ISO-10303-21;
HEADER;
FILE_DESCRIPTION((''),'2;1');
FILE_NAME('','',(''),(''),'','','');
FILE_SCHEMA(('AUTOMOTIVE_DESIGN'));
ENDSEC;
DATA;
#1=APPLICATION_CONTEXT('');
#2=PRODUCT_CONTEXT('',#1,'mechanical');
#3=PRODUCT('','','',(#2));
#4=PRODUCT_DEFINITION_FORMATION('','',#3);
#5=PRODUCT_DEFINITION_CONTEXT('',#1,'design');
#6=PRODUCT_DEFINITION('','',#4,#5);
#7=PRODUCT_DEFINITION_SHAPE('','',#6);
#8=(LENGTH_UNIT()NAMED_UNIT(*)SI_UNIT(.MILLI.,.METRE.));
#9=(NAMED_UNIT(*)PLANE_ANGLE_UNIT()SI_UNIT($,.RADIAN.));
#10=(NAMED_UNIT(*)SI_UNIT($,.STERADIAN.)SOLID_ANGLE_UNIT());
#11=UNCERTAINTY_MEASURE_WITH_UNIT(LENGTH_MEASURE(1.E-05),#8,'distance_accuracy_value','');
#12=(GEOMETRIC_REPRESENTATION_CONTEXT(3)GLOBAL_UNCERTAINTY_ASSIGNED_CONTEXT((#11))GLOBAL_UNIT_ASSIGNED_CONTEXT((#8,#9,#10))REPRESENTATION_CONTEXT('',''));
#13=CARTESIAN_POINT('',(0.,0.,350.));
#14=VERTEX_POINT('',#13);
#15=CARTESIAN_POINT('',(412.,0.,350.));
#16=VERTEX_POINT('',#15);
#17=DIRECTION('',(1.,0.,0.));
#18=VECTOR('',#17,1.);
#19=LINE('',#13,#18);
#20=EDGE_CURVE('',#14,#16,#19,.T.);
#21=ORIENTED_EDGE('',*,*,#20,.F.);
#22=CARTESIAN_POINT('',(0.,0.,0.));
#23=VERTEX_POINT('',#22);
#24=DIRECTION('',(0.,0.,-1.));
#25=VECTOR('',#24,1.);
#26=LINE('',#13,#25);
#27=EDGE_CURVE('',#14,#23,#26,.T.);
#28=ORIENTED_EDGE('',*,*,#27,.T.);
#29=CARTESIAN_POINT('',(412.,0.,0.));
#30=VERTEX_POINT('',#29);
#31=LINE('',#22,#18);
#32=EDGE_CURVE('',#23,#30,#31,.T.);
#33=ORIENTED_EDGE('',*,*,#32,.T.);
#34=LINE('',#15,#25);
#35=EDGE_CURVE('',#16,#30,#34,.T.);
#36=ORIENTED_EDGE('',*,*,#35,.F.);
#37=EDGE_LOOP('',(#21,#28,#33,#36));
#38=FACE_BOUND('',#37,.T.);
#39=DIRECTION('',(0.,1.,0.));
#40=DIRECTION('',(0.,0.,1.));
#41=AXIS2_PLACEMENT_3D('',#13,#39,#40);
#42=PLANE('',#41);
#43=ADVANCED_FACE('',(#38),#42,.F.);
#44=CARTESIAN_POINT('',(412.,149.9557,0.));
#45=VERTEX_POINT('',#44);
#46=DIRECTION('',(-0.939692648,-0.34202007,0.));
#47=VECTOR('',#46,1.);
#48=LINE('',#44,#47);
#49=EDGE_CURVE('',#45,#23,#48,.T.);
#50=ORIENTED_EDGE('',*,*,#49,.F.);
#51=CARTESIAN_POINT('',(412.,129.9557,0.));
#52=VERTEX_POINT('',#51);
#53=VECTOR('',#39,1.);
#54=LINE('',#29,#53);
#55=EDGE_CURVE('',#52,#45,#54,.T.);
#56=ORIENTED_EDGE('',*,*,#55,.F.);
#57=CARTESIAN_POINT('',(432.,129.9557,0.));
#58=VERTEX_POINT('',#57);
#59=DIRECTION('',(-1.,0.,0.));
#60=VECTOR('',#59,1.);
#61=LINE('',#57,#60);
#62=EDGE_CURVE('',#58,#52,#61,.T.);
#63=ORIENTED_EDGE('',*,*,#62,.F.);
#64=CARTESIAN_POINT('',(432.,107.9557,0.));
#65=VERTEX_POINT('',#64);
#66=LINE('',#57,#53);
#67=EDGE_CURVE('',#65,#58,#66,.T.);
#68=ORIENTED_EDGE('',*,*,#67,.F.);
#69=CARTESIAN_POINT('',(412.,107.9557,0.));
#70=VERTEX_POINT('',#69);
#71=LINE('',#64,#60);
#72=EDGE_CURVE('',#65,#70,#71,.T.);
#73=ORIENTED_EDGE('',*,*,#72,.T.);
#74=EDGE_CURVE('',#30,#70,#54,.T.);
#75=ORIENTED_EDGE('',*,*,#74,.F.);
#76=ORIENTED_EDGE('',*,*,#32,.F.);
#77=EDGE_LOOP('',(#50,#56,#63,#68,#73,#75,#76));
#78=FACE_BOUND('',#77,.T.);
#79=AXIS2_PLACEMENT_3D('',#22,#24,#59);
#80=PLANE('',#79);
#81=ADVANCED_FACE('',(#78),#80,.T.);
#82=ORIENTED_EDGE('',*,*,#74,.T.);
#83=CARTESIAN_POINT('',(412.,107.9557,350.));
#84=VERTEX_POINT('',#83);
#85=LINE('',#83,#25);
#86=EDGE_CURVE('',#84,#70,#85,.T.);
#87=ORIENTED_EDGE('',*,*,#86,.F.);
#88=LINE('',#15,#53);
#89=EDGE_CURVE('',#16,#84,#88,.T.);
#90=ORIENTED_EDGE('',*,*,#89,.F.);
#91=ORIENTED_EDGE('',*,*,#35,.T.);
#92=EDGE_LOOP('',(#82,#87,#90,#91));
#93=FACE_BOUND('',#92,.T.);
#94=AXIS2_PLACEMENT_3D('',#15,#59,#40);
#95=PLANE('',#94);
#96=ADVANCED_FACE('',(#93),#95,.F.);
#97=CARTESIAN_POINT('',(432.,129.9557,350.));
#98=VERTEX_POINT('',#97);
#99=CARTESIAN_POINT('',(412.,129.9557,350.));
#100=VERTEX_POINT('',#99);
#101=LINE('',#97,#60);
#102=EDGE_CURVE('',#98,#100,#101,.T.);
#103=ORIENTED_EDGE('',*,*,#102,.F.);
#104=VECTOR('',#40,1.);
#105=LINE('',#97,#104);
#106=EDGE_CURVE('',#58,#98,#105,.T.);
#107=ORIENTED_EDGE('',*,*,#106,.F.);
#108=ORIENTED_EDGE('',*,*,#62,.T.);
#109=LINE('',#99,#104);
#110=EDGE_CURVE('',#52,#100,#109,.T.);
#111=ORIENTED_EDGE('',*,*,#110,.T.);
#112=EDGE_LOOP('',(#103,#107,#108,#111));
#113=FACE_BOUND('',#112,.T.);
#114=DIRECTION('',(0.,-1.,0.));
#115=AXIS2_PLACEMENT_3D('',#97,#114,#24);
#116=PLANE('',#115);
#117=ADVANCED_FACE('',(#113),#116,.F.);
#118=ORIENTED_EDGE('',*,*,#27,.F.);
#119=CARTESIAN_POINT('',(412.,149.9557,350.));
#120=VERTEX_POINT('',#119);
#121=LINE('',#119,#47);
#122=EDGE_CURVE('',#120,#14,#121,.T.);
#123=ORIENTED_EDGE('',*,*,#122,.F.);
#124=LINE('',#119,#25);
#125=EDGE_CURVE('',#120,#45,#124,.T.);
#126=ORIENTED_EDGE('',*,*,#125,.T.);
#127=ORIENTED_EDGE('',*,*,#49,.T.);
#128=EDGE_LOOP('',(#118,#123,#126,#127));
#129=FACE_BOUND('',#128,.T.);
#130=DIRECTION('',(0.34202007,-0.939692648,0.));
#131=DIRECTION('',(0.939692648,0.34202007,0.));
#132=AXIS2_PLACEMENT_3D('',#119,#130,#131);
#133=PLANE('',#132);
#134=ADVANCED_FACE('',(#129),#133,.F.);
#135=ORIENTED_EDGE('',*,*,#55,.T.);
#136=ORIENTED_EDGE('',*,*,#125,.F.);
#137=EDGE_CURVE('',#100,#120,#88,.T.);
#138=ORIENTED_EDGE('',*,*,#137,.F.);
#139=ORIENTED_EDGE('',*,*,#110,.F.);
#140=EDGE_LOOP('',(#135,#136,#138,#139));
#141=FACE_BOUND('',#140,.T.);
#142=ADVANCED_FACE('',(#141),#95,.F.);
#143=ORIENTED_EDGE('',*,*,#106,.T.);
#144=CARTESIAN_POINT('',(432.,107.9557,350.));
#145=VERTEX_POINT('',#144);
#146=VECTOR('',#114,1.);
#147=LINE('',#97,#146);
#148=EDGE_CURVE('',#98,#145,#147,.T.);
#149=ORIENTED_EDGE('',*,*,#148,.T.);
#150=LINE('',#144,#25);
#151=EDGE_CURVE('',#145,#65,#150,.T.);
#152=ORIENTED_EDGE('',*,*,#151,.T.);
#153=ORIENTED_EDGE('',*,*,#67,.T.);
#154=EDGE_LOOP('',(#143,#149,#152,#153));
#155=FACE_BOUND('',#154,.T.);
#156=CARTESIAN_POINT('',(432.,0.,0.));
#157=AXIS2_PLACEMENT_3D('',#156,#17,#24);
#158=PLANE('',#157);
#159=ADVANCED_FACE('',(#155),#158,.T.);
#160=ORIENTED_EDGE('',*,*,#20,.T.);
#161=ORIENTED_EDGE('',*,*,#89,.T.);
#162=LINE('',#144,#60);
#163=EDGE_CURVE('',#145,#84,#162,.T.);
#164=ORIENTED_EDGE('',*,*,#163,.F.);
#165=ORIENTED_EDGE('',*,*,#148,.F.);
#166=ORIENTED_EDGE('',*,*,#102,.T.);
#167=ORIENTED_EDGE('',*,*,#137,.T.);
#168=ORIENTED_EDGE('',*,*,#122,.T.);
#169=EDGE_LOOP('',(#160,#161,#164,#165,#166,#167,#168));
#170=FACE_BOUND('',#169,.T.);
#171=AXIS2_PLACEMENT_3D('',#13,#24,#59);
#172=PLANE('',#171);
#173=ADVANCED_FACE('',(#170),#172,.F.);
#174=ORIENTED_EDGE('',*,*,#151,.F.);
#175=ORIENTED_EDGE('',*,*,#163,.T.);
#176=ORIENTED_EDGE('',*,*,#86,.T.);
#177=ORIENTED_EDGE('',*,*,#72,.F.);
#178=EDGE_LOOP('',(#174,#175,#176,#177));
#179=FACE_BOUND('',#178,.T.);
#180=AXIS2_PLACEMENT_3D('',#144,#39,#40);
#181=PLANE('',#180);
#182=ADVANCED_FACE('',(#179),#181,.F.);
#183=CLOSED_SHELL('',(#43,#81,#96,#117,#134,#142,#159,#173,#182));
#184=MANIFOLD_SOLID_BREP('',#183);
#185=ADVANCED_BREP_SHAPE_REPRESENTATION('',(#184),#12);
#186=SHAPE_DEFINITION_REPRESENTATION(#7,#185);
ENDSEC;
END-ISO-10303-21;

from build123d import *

# Parameters (mm, degrees)
BOSS_EXTRUDE1_DEPTH = 350
SKETCH2_W           = 350
SKETCH2_H           = 22
BOSS_EXTRUDE2_DEPTH = 20


with BuildPart() as part:
    # Sketch1 → Boss-Extrude1 (new body)
    with BuildSketch(Plane.XY):
        Polygon((0, 0), (412, 0), (412, 149.9557), align=None)
    extrude(amount=BOSS_EXTRUDE1_DEPTH)

    # Sketch2 → Boss-Extrude2 (add)
    with BuildSketch(Plane(origin=(412, 0, 0), x_dir=(0, 0, -1), z_dir=(1, 0, 0))):
        with Locations((-175, 118.9557)):
            Rectangle(SKETCH2_W, SKETCH2_H)
    extrude(amount=BOSS_EXTRUDE2_DEPTH)


solid = part.part
